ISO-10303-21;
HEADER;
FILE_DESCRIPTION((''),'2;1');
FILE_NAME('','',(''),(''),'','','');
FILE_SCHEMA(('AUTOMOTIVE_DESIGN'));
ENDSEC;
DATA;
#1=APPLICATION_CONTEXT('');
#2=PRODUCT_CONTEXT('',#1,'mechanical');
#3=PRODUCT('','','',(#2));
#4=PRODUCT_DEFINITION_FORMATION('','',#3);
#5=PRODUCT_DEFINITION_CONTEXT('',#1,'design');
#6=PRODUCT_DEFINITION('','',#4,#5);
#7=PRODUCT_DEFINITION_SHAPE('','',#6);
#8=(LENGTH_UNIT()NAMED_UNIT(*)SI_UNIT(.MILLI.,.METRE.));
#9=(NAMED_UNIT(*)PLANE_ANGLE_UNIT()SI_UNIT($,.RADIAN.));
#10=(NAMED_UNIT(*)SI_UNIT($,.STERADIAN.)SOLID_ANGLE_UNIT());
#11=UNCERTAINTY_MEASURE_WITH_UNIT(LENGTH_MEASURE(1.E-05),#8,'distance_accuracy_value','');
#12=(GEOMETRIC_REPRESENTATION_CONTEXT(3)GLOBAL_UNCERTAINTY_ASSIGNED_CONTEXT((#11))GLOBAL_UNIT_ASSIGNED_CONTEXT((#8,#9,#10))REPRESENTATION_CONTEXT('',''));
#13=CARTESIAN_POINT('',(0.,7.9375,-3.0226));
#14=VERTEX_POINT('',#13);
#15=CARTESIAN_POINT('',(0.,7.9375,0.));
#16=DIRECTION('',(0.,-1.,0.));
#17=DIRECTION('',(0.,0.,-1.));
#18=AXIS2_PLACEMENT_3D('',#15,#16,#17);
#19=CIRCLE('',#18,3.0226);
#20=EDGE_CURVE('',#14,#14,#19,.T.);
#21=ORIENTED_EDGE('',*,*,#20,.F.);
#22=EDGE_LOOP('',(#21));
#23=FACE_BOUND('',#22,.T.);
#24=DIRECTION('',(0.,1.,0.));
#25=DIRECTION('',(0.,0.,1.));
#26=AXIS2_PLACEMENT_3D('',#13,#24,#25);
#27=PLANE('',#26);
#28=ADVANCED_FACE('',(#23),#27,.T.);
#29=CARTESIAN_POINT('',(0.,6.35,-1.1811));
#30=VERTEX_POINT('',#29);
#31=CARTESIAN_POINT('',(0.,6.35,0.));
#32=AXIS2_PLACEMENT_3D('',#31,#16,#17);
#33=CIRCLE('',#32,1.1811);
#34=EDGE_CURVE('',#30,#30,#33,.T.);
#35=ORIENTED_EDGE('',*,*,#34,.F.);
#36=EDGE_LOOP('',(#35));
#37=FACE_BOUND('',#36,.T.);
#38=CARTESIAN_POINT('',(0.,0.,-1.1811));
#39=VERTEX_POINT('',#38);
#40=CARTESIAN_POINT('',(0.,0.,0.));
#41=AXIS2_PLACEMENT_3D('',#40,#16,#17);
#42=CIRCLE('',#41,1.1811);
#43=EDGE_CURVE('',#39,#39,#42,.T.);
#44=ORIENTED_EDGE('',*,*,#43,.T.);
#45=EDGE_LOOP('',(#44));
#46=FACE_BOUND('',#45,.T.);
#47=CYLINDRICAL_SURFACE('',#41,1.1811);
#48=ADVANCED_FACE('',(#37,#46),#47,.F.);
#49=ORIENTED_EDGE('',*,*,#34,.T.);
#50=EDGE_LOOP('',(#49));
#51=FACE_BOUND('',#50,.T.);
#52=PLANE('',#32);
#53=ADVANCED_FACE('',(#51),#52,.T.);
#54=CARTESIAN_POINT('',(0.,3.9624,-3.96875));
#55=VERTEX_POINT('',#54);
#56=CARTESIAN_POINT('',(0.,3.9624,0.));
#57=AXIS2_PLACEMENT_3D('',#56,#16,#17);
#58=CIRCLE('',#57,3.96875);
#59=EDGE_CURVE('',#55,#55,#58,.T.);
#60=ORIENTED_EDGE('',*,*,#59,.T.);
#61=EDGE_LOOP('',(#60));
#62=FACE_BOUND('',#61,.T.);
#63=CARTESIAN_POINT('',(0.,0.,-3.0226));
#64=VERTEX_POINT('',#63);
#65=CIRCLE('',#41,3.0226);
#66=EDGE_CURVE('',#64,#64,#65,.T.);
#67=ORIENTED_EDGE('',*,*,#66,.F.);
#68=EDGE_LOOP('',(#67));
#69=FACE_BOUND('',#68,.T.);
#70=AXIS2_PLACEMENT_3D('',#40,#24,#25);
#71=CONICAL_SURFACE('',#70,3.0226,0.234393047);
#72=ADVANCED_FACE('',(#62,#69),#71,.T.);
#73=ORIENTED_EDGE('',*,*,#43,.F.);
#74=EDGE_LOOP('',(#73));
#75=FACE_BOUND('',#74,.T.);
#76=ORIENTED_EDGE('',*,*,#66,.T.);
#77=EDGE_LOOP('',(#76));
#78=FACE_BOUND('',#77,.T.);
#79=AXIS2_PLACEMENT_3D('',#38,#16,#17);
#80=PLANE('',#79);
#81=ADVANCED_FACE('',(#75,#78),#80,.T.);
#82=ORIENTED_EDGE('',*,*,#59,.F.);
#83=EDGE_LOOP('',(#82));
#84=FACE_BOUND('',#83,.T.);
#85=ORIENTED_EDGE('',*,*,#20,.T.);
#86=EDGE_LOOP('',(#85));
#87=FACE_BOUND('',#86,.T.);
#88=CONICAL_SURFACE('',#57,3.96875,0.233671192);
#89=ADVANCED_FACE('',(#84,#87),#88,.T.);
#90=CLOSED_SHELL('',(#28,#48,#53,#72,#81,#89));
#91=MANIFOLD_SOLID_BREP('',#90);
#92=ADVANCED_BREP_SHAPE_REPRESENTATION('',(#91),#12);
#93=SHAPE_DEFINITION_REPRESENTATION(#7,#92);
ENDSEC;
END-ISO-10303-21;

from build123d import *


with BuildPart() as part:
    # Sketch1 → Revolve1 (revolve)
    with BuildSketch(Plane(origin=(0, 0, 0), x_dir=(0, 0, -1), z_dir=(1, 0, 0))):
        Polygon((0, 6.35), (1.1811, 6.35), (1.1811, 0), (3.0226, 0), (3.96875, 3.9624), (3.0226, 7.9375), (0, 7.9375), align=None)
    revolve(axis=Axis((0, 0, 0), (0, 1, 0)))


solid = part.part
